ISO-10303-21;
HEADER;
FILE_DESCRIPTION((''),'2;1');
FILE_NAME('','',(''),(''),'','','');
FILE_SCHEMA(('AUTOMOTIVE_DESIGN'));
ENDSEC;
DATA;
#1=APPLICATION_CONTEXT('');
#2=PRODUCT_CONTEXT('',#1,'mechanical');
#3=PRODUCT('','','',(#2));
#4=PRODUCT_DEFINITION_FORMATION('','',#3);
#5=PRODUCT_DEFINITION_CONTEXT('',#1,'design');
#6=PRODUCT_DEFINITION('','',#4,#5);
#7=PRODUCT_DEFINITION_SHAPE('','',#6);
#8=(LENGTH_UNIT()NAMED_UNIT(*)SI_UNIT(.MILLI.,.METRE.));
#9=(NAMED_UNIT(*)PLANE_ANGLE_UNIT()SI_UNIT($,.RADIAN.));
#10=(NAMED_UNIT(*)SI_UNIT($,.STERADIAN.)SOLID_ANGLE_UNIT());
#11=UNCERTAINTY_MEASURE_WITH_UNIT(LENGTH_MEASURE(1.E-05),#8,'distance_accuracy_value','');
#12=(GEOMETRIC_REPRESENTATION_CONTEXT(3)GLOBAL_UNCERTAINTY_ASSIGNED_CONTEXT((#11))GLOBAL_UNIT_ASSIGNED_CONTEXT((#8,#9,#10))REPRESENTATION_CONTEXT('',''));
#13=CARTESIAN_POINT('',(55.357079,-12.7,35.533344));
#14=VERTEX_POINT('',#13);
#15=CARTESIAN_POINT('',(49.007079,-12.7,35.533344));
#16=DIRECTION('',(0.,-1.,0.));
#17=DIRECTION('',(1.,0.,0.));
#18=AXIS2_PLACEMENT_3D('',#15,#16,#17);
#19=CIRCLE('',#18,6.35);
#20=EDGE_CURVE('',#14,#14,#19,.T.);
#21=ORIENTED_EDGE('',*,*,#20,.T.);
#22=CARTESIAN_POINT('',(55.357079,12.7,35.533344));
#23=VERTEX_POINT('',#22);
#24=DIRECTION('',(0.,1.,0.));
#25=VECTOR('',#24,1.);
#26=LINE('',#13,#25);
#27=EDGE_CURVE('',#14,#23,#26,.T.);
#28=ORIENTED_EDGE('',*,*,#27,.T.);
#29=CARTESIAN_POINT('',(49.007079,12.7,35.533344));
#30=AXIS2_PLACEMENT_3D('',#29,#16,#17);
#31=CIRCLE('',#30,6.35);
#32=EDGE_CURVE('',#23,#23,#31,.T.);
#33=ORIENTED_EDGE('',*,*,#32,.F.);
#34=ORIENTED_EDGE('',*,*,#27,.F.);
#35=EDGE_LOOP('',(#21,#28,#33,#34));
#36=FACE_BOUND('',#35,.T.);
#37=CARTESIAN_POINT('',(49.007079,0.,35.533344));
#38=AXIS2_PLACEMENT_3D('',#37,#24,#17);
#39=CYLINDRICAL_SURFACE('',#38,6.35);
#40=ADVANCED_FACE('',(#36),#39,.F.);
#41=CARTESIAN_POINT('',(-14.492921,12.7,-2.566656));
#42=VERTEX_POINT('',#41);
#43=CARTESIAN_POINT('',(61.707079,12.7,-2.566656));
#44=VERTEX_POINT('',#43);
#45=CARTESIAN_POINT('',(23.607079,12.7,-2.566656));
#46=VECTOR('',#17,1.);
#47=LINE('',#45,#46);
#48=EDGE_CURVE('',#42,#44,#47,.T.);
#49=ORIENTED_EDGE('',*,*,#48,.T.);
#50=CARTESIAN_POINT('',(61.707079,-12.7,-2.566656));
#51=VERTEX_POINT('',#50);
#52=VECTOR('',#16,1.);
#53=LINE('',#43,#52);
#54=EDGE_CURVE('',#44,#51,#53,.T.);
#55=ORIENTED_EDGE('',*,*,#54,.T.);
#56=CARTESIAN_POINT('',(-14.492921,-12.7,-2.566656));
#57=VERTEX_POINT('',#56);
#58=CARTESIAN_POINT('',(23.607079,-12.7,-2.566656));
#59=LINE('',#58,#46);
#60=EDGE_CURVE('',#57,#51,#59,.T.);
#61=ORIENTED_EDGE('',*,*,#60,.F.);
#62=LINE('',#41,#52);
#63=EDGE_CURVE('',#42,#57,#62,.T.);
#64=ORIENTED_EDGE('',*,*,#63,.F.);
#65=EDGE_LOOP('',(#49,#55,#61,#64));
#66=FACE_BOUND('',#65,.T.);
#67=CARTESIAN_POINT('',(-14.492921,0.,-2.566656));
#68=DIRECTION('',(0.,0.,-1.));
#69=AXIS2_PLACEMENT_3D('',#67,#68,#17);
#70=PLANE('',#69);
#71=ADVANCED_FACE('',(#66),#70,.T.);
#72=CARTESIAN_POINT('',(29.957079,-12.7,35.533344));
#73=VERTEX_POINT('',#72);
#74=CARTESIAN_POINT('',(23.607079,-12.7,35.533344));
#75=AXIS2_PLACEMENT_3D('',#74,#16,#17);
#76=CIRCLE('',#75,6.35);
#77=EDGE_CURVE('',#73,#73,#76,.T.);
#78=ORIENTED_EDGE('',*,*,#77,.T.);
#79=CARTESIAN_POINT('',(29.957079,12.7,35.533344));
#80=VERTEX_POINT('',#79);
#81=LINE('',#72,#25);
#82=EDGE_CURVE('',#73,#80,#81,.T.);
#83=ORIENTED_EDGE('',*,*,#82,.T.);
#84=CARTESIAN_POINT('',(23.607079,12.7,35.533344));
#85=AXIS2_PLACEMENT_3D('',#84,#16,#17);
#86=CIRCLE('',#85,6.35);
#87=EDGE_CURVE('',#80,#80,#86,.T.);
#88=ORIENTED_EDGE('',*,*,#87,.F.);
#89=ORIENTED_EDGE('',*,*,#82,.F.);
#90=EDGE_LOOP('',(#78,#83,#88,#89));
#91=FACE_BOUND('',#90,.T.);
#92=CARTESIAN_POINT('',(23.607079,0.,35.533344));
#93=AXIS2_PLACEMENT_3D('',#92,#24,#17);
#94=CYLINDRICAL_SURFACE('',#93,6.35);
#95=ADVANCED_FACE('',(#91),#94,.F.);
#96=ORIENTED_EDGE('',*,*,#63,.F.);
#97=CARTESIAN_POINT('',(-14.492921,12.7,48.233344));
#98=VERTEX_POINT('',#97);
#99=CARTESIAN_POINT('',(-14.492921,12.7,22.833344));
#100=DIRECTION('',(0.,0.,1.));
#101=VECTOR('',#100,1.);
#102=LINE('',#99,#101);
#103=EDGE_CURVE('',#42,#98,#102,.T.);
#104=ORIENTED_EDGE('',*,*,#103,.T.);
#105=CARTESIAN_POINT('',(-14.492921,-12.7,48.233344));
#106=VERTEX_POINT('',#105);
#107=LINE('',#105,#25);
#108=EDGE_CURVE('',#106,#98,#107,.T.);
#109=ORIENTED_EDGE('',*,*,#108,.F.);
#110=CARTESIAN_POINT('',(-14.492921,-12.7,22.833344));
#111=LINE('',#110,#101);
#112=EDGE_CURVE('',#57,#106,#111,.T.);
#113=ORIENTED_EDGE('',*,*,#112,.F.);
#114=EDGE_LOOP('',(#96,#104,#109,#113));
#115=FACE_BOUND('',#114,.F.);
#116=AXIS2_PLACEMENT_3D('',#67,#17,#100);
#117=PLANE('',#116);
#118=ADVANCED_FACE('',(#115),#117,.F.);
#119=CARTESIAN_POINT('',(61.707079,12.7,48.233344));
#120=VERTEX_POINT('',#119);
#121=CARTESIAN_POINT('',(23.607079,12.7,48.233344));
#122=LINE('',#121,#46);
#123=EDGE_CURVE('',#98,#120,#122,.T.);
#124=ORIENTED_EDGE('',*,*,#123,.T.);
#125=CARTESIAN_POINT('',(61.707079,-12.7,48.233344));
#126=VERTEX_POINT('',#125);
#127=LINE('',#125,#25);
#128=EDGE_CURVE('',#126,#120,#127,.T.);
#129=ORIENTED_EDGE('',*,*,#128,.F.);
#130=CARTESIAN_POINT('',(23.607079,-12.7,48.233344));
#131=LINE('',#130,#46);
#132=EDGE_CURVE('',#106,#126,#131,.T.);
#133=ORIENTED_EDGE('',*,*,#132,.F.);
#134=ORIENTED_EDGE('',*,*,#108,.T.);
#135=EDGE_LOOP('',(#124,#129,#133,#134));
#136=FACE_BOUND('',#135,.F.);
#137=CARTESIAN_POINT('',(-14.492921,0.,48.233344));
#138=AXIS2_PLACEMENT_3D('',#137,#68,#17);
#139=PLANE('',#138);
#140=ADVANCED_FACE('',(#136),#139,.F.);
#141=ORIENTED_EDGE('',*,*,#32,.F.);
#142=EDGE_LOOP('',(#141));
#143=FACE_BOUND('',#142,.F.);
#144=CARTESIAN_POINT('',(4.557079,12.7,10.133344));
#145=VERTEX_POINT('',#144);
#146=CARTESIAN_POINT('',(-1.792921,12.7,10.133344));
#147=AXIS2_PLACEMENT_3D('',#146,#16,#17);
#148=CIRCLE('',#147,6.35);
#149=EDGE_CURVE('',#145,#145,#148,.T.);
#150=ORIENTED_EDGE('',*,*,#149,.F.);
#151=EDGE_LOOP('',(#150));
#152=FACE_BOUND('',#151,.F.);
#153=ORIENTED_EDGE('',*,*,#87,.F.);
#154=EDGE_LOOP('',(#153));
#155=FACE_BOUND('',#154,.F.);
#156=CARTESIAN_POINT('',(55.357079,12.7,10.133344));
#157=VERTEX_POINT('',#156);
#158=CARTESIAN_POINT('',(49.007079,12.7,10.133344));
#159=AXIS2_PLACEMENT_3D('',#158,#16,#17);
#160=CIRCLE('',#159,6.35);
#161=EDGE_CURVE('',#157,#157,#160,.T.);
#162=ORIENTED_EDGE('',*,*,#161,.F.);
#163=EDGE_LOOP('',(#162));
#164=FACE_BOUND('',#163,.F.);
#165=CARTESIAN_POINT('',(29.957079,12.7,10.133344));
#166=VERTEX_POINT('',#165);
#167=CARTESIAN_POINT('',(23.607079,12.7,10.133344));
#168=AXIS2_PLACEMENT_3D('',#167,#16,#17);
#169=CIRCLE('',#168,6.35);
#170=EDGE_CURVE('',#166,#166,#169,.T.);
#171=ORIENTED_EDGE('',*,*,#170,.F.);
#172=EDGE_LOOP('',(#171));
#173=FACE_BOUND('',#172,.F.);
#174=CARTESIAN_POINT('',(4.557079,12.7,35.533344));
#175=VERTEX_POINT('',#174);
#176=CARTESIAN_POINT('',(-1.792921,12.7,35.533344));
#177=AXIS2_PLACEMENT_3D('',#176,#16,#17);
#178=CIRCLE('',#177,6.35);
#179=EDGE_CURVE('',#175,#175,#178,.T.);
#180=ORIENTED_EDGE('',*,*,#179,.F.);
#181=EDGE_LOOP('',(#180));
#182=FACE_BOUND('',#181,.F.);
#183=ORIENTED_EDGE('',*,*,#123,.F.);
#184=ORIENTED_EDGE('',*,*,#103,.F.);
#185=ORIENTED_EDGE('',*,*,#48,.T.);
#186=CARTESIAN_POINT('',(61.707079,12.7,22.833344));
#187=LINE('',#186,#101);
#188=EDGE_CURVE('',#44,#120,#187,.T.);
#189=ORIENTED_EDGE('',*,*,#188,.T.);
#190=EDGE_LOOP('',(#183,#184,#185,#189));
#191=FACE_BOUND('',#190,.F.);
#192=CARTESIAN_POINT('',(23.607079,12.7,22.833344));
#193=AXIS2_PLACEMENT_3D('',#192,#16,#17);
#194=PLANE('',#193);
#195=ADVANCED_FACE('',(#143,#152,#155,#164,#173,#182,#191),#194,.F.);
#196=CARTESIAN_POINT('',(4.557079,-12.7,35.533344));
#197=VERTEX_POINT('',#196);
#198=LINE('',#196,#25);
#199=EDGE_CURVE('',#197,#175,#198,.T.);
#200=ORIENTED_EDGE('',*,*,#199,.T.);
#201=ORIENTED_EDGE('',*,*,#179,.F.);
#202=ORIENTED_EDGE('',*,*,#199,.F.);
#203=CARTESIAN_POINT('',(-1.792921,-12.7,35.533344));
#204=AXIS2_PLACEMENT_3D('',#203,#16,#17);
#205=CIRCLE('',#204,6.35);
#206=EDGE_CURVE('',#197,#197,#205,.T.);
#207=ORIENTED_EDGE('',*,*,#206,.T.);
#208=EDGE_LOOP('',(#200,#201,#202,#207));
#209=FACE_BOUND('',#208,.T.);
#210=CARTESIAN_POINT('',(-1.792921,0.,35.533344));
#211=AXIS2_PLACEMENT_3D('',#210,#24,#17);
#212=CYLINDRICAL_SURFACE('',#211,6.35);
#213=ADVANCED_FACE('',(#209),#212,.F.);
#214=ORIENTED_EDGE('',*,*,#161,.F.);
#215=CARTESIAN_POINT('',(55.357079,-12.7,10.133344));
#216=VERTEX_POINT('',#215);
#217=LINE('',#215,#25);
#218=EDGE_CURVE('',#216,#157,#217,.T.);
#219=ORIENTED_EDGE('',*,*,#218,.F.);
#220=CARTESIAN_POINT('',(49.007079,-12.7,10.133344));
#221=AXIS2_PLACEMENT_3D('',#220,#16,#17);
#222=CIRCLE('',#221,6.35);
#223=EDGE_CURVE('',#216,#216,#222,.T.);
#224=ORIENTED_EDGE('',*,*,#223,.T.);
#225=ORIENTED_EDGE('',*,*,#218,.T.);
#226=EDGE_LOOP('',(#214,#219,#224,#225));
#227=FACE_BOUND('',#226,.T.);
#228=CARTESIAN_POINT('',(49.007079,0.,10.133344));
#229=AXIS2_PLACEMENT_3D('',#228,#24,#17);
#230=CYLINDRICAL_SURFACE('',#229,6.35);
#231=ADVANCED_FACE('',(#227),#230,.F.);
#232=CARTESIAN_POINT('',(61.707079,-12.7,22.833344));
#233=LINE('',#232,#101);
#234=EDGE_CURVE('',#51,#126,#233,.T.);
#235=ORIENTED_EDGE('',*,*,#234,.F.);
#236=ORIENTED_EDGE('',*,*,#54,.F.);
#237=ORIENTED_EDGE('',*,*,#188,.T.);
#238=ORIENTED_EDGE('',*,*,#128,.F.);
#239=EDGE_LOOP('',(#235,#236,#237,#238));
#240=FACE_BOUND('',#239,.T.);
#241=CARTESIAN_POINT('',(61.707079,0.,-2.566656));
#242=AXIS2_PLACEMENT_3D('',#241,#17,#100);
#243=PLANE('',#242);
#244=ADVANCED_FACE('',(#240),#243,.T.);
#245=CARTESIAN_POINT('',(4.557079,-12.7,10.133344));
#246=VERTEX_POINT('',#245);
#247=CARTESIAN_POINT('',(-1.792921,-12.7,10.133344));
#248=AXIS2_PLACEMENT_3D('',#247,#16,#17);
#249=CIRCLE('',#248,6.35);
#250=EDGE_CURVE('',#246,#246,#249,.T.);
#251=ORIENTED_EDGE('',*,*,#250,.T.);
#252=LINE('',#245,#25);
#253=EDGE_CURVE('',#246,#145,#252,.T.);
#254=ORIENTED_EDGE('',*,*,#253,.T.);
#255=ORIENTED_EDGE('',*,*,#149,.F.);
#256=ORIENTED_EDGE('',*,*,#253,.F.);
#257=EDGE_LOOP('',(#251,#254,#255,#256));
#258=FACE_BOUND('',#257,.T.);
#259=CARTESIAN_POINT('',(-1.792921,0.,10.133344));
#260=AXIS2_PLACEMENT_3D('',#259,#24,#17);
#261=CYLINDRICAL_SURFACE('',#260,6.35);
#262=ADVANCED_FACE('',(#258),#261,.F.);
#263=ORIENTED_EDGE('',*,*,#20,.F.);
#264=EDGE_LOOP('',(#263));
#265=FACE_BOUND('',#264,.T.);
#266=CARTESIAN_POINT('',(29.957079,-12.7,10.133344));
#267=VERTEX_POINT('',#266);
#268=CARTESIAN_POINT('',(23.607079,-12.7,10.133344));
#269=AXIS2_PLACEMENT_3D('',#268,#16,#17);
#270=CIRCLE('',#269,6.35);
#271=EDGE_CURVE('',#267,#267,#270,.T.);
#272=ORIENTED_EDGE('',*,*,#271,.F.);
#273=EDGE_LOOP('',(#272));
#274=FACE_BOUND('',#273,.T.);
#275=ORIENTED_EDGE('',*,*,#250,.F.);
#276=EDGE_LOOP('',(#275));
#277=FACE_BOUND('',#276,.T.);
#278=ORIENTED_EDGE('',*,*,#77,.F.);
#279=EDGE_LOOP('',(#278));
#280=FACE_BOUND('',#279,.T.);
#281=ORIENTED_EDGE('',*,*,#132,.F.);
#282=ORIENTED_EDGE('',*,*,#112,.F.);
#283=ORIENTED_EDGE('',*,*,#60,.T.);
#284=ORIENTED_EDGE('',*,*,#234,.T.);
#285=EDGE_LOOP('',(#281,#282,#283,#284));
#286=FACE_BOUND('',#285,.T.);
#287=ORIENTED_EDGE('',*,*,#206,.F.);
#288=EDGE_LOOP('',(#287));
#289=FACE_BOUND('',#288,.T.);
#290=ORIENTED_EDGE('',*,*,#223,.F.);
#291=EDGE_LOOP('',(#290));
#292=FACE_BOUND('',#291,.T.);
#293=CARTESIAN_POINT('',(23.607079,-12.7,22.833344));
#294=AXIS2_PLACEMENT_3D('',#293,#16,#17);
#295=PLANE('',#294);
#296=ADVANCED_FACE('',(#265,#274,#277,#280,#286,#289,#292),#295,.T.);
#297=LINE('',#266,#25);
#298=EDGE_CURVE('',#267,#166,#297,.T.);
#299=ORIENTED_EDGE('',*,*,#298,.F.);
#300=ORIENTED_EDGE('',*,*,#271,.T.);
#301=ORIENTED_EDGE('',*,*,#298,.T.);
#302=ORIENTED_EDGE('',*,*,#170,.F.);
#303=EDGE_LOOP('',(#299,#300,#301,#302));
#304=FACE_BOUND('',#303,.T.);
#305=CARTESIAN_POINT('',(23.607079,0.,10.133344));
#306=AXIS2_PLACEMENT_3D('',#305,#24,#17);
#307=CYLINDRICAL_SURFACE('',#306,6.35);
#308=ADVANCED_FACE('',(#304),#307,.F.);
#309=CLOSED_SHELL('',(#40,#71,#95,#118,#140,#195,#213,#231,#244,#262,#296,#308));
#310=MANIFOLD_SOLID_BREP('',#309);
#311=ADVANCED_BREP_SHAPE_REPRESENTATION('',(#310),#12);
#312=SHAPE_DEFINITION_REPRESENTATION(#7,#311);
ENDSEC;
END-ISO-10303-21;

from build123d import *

# Parameters (mm, degrees)
F0_W     = 76.2
F0_H     = 50.8
F0_R     = 6.35
F1_DEPTH = 12.7


with BuildPart() as f1:
    # F0 (on Front) → F1 (new body, symmetric)
    with BuildSketch(Plane.XZ):
        with Locations((23.607079, 22.833344)):
            Rectangle(F0_W, F0_H)
        with Locations((-1.792921, 10.133344)):
            Circle(F0_R, mode=Mode.SUBTRACT)
        with Locations((23.607079, 10.133344)):
            Circle(F0_R, mode=Mode.SUBTRACT)
        with Locations((49.007079, 10.133344)):
            Circle(F0_R, mode=Mode.SUBTRACT)
        with Locations((-1.792921, 35.533344)):
            Circle(F0_R, mode=Mode.SUBTRACT)
        with Locations((23.607079, 35.533344)):
            Circle(F0_R, mode=Mode.SUBTRACT)
        with Locations((49.007079, 35.533344)):
            Circle(F0_R, mode=Mode.SUBTRACT)
    extrude(amount=F1_DEPTH, both=True)


solid = f1.part
